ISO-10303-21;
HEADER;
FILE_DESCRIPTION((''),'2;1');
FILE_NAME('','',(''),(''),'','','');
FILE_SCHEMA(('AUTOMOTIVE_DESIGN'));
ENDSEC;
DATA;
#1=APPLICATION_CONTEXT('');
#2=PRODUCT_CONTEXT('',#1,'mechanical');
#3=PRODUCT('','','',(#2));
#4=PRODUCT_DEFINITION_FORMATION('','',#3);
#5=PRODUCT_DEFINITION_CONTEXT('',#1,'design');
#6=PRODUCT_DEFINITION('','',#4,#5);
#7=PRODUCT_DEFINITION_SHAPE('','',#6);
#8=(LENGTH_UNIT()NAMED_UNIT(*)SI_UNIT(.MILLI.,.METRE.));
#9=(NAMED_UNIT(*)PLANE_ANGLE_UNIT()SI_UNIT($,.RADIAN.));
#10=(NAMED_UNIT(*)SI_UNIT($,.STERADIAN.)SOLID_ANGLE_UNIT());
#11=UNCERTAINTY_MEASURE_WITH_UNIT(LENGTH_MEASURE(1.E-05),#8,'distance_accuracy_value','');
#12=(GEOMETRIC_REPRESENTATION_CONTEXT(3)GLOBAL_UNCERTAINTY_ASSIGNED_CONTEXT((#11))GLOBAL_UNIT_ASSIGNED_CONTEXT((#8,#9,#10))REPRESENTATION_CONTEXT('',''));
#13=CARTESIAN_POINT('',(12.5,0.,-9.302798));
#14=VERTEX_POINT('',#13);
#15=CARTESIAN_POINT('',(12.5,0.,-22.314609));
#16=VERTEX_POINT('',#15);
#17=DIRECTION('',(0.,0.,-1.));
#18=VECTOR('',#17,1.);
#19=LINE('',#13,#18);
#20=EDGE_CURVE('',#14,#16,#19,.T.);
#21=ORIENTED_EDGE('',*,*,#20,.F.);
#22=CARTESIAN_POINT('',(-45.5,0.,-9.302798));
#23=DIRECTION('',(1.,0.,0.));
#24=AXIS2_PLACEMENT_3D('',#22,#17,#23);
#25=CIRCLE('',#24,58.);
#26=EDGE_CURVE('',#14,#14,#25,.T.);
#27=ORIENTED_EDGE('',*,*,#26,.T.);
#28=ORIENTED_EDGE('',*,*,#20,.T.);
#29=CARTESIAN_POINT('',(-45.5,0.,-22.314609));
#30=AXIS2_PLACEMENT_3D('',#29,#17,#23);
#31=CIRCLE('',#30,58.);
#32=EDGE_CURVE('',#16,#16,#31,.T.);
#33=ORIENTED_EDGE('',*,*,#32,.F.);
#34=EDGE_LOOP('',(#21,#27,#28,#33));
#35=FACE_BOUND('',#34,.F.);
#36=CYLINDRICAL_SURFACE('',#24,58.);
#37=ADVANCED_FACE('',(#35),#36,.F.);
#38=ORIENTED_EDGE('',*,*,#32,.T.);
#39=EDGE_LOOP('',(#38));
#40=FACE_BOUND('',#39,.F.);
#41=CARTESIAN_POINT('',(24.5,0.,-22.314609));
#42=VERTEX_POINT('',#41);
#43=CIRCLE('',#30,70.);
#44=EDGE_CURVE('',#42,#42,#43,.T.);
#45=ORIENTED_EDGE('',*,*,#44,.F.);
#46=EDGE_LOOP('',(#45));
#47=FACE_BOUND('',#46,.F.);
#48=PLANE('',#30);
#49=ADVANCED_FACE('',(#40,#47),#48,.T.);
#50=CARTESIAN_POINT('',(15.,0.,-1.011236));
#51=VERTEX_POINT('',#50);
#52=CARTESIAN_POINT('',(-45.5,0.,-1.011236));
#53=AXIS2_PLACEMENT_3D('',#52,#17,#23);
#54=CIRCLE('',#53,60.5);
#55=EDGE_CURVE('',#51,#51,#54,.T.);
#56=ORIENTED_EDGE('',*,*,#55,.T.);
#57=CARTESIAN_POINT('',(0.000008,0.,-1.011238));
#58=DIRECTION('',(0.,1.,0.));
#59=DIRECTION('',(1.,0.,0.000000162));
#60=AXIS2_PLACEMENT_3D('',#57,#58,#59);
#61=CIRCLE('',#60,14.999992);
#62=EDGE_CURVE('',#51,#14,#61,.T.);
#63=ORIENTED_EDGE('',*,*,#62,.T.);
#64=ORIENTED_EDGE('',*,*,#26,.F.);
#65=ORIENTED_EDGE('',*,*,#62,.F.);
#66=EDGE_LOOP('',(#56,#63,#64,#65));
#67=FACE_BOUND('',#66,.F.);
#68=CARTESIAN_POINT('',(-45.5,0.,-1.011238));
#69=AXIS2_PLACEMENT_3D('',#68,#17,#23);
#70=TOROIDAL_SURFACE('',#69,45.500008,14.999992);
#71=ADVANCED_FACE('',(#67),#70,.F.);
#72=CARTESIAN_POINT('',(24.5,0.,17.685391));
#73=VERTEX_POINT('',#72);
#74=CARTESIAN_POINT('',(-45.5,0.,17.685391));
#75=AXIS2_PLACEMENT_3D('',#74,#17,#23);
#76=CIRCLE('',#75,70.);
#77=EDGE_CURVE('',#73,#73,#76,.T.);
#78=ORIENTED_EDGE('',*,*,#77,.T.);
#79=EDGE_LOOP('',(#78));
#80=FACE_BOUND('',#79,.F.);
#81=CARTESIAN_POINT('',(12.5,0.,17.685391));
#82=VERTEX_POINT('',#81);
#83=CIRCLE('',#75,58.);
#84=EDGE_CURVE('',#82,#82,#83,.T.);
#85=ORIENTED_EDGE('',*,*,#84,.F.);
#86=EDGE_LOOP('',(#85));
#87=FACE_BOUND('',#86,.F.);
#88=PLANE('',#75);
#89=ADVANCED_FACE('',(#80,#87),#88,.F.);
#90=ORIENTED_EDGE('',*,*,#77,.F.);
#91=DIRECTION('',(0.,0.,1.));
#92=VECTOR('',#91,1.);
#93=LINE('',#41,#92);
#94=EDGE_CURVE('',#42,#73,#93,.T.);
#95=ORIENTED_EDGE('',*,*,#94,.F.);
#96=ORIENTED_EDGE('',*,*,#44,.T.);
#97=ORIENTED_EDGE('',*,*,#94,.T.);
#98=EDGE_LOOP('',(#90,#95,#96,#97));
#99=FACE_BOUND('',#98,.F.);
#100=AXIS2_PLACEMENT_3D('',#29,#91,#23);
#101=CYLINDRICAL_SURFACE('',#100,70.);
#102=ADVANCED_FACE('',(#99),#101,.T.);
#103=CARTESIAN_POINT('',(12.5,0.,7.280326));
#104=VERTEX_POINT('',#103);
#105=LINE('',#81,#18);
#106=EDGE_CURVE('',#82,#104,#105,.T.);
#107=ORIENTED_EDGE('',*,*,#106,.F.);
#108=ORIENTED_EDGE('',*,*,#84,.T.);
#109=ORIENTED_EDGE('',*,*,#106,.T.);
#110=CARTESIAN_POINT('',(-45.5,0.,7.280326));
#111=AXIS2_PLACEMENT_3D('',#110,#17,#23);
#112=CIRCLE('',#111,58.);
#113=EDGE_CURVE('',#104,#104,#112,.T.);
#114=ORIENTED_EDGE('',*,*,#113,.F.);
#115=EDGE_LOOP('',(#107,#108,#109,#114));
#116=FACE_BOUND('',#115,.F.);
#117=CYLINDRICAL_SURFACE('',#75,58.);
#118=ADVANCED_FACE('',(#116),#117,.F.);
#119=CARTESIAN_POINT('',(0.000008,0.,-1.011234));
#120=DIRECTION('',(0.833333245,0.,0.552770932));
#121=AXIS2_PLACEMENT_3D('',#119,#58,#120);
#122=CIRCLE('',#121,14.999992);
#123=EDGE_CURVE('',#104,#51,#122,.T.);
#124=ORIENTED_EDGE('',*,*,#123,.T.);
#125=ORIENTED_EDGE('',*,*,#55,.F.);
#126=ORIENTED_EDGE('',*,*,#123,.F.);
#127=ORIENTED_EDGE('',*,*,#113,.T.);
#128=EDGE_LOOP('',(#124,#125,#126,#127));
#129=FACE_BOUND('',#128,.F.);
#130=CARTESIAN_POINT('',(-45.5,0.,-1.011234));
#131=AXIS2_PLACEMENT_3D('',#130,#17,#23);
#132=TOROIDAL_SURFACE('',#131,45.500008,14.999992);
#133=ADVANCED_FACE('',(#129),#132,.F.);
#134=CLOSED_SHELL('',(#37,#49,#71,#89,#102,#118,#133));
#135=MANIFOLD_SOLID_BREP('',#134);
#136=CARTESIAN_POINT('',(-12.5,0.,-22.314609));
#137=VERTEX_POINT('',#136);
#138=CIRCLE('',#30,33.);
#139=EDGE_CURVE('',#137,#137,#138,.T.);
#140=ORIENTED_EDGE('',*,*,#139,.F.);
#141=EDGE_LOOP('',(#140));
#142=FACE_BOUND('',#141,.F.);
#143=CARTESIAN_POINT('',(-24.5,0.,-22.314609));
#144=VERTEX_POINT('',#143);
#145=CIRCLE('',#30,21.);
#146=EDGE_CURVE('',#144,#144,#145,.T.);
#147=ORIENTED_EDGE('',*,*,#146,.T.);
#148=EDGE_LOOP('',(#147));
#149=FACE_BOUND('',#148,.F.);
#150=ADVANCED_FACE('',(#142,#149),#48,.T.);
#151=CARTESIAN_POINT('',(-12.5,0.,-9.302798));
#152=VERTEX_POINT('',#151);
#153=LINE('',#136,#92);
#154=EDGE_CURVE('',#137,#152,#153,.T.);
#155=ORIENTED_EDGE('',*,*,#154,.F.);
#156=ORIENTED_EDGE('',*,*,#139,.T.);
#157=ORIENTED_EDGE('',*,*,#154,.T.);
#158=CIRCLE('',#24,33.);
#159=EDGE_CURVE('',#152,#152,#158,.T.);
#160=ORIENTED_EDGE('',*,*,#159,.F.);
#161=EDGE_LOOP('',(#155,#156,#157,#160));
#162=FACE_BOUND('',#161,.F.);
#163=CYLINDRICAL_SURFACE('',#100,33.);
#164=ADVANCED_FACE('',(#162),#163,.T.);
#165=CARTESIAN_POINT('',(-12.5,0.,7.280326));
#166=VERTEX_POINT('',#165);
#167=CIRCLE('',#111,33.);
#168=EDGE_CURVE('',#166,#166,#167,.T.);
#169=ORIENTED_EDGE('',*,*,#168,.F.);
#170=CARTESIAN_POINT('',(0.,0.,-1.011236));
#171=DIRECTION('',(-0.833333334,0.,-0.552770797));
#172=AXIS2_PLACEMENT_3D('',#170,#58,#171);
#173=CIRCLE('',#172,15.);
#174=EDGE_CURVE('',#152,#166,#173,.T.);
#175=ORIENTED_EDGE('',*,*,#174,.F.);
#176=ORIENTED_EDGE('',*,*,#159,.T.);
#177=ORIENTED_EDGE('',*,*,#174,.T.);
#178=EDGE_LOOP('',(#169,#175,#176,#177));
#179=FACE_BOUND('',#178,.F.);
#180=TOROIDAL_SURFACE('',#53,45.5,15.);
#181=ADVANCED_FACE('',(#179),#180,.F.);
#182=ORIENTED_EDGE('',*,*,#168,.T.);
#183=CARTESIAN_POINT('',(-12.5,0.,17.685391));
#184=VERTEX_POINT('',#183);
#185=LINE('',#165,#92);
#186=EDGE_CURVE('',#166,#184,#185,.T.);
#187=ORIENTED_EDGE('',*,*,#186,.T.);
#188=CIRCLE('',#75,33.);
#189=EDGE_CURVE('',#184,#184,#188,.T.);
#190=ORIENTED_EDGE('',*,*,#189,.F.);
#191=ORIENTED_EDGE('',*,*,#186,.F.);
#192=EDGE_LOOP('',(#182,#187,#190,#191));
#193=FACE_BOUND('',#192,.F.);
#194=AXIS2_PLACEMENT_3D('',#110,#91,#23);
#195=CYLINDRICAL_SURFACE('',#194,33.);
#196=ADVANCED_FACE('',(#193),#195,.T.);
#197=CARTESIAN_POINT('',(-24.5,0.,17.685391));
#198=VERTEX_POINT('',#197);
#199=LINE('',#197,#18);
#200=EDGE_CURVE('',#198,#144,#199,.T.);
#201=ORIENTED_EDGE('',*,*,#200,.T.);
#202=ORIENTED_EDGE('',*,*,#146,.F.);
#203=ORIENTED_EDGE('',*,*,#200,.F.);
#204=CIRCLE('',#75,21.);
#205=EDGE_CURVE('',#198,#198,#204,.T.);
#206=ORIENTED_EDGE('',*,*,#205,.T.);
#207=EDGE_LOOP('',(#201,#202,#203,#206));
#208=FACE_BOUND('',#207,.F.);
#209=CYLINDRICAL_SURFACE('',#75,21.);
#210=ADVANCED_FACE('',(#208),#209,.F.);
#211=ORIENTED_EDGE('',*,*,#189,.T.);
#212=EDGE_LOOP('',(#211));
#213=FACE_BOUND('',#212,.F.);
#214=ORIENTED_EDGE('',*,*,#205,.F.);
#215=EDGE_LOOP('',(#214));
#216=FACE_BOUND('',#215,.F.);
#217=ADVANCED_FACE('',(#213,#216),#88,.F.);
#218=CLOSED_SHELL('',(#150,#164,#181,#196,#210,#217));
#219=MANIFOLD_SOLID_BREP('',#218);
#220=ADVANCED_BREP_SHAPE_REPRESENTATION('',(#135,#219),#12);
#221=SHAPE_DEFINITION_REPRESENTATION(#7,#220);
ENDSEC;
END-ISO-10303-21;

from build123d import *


with BuildPart() as f1:
    # F0 (on Front) → F1 (revolve)
    with BuildSketch(Plane.XZ):
        with BuildLine():
            ThreePointArc((-12.5, -9.302798), (-15, -1.011236), (-12.5, 7.280326))
            Line((-12.5, 7.280326), (-12.5, 17.685391))
            Line((-12.5, 17.685391), (-24.5, 17.685391))
            Line((-24.5, 17.685391), (-24.5, -22.314609))
            Line((-24.5, -22.314609), (-12.5, -22.314609))
            Line((-12.5, -22.314609), (-12.5, -9.302798))
        make_face()
        with BuildLine():
            Line((24.5, 17.685391), (12.5, 17.685391))
            Line((12.5, 17.685391), (12.5, 7.280326))
            ThreePointArc((12.5, 7.280326), (14.361407, 3.318891), (15, -1.011236))
            ThreePointArc((15, -1.011236), (14.361407, -5.341363), (12.5, -9.302798))
            Line((12.5, -9.302798), (12.5, -22.314609))
            Line((12.5, -22.314609), (24.5, -22.314609))
            Line((24.5, -22.314609), (24.5, 17.685391))
        make_face()
    revolve(axis=Axis((-45.5, 0, -3.991936), (0, 0, -1)))


solid = f1.part
